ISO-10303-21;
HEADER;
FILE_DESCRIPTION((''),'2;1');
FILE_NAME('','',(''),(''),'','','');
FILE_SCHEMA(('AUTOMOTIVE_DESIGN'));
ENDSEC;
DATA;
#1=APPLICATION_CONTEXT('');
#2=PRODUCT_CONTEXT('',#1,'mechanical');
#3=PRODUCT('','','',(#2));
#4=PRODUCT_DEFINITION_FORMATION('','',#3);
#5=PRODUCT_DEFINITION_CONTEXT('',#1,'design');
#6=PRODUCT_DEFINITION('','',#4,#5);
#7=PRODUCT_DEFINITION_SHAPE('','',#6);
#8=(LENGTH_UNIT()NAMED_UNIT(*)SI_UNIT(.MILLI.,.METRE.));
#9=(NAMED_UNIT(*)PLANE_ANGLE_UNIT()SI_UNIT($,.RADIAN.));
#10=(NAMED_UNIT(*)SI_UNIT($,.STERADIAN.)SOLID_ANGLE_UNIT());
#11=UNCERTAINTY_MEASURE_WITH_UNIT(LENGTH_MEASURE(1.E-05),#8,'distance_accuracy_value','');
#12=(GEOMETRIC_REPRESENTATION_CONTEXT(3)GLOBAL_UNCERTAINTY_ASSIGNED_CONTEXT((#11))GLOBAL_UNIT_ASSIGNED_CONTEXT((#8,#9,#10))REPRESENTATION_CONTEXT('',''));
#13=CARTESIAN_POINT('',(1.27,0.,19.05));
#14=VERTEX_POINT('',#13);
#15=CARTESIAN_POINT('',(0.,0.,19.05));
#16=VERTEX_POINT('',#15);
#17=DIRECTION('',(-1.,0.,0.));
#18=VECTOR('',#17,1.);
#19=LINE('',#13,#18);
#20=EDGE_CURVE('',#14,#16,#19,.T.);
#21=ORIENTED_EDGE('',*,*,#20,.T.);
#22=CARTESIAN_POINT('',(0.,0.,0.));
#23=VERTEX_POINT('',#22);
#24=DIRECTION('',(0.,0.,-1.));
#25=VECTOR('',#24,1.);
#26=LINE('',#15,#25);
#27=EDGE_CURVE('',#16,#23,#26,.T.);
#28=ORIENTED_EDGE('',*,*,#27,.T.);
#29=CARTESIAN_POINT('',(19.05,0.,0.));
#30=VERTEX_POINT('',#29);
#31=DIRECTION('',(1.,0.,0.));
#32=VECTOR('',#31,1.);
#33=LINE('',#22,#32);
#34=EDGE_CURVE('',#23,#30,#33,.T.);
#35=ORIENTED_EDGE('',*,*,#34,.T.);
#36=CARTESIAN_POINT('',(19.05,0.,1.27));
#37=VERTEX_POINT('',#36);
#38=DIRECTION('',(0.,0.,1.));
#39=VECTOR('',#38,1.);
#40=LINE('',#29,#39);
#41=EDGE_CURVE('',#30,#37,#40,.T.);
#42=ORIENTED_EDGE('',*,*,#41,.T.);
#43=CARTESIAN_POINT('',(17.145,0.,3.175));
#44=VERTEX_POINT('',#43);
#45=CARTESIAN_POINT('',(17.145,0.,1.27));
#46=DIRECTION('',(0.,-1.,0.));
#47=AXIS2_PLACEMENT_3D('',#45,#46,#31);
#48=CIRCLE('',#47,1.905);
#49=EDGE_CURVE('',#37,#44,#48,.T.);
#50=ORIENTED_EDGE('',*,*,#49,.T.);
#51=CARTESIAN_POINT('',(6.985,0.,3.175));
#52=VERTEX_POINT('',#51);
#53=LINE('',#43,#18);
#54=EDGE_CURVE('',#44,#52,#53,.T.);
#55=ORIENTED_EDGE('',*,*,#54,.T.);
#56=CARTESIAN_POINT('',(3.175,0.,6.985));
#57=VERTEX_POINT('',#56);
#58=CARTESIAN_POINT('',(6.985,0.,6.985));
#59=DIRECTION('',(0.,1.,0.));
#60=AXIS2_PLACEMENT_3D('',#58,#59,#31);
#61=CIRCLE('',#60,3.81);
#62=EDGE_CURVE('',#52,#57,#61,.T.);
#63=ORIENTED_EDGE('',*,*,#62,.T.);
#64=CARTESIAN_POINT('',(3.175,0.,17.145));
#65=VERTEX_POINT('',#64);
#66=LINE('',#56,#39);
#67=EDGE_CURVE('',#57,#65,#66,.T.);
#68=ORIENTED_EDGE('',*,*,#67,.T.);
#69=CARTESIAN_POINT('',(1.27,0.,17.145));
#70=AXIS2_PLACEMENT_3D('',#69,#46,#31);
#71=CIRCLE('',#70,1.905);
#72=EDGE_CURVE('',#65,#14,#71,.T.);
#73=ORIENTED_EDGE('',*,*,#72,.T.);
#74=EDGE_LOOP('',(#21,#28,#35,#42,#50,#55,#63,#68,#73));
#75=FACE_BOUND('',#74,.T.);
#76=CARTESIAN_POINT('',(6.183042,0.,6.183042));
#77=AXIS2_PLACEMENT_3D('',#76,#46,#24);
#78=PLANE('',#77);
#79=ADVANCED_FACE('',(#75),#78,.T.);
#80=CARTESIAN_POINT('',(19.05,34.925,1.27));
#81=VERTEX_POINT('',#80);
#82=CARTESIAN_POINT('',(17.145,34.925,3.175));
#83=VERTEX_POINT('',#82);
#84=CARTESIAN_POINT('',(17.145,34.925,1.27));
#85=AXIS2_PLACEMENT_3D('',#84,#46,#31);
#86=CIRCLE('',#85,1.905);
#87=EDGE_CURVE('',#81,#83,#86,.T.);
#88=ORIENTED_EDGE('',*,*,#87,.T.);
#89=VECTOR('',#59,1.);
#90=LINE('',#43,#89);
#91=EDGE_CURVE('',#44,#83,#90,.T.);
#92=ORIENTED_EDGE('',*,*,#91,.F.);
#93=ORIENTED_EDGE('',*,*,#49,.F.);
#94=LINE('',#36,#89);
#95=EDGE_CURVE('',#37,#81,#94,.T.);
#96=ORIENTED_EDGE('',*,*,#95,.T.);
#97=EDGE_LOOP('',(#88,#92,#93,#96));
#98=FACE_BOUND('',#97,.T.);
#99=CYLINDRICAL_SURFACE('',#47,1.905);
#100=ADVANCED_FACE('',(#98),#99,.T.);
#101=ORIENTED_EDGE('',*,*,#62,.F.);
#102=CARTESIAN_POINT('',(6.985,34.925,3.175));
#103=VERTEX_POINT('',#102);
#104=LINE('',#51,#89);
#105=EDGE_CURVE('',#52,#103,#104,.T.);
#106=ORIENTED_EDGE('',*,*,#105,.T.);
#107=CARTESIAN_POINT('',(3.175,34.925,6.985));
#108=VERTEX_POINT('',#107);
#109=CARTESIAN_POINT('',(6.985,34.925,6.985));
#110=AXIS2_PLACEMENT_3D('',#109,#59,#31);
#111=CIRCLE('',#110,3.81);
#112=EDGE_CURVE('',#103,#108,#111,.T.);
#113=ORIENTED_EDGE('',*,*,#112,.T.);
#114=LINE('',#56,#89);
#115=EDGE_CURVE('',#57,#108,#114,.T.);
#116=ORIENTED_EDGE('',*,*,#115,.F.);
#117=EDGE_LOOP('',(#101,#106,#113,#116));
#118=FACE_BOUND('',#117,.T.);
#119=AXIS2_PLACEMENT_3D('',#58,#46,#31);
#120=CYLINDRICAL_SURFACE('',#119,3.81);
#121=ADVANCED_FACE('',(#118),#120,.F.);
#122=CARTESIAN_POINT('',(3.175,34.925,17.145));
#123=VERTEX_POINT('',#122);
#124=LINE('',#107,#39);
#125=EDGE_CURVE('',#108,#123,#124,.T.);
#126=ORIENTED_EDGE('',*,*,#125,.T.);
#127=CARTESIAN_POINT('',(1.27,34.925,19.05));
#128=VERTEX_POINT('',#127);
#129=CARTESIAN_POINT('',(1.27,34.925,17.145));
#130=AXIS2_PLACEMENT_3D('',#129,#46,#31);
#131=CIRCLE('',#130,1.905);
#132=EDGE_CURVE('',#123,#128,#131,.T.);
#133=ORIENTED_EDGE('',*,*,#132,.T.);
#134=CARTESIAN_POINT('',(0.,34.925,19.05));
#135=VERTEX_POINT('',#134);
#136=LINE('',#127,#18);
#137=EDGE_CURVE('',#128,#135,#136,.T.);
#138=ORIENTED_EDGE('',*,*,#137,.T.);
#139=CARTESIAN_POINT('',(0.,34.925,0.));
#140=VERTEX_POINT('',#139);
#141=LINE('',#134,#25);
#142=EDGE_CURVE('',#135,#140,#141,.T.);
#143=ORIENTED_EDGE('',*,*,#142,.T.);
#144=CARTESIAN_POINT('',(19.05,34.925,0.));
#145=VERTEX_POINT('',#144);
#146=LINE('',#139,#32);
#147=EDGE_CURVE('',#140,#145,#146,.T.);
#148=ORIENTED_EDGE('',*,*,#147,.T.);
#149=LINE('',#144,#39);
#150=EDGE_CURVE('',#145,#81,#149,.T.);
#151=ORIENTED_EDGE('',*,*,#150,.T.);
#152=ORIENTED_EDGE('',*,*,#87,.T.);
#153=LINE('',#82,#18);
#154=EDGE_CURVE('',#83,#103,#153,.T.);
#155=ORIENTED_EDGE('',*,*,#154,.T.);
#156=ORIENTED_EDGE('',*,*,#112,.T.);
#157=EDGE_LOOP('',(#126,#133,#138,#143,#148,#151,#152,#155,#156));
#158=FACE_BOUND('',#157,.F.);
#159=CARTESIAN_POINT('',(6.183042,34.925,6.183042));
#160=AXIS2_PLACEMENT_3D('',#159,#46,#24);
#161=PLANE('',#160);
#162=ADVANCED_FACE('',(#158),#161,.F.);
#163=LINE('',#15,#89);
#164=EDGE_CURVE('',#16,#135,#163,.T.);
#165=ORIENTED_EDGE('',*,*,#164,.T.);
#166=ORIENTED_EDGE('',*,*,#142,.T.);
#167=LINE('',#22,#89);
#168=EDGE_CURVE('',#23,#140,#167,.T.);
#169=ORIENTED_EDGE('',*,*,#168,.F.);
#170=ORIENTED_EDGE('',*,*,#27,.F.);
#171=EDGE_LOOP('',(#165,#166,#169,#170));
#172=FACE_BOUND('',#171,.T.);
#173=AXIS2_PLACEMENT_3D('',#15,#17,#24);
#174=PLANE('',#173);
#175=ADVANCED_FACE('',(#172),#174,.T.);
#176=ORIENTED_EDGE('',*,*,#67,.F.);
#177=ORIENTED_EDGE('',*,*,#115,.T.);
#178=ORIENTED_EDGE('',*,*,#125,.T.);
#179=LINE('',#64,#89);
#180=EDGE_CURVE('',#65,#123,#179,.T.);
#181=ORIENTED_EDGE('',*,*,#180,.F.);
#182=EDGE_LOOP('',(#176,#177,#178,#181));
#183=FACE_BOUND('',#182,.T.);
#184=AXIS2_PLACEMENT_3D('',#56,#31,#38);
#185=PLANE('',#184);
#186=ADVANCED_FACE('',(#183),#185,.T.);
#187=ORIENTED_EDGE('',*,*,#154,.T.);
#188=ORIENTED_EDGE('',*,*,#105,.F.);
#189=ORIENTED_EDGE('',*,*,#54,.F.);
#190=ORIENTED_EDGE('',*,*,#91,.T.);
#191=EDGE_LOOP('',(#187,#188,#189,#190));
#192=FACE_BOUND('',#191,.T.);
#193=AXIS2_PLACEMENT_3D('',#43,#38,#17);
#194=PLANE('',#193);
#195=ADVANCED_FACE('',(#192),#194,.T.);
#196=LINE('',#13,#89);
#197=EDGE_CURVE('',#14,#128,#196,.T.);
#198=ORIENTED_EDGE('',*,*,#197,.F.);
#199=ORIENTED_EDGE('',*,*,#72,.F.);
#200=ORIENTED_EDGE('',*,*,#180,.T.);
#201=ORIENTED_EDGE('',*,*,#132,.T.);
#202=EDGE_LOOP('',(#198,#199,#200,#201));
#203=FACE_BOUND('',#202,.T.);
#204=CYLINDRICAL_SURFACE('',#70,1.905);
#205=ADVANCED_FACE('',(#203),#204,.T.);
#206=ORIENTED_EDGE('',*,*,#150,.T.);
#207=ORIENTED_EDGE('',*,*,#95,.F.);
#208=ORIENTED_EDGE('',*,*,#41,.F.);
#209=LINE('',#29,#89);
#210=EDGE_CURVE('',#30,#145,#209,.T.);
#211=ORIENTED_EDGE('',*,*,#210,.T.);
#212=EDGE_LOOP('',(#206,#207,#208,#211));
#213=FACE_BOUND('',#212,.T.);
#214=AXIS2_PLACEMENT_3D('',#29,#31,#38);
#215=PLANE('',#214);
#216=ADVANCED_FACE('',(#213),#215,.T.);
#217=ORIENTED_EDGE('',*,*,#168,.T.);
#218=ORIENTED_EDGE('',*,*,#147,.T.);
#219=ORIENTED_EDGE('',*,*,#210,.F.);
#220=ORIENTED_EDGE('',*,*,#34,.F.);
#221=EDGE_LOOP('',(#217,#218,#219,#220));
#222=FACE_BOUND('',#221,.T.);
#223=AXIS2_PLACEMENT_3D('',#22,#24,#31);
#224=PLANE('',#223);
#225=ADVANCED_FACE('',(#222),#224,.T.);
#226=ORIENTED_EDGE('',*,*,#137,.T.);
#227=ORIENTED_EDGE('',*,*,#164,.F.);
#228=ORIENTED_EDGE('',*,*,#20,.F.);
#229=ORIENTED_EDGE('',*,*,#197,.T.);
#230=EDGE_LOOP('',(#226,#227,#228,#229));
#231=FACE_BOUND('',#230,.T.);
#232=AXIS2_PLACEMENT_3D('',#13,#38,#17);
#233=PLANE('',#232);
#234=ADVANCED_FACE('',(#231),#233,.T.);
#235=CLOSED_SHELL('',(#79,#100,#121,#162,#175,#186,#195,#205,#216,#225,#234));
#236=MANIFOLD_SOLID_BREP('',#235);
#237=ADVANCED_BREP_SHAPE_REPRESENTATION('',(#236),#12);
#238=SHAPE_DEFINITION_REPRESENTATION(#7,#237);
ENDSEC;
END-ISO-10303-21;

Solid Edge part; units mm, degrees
sketch "Sketch1" plane through (0, 0, 0) normal (0, -1, 0) x (1, 0, 0)
  line L0 (0, 19.05) -> (0, 0)
  line L1 (0, 0) -> (19.05, 0)
  line L2 (19.05, 0) -> (19.05, 1.27)
  arc A0 (19.05, 1.27) -> (17.145, 3.175) centre (17.145, 1.27) ccw
  line L3 (17.145, 3.175) -> (6.985, 3.175)
  arc A1 (6.985, 3.175) -> (3.175, 6.985) centre (6.985, 6.985) cw
  line L4 (3.175, 6.985) -> (3.175, 17.145)
  arc A2 (3.175, 17.145) -> (1.27, 19.05) centre (1.27, 17.145) ccw
  line L5 (1.27, 19.05) -> (0, 19.05)
  dimension "D1" = 19.05
  dimension "D2" = 1.905
  dimension "D3" = 3.81
  dimension "D4" = 3.175
extrude "Protrusion1" add sketch "Sketch1" against normal blind 34.925
properties material "Steel"
